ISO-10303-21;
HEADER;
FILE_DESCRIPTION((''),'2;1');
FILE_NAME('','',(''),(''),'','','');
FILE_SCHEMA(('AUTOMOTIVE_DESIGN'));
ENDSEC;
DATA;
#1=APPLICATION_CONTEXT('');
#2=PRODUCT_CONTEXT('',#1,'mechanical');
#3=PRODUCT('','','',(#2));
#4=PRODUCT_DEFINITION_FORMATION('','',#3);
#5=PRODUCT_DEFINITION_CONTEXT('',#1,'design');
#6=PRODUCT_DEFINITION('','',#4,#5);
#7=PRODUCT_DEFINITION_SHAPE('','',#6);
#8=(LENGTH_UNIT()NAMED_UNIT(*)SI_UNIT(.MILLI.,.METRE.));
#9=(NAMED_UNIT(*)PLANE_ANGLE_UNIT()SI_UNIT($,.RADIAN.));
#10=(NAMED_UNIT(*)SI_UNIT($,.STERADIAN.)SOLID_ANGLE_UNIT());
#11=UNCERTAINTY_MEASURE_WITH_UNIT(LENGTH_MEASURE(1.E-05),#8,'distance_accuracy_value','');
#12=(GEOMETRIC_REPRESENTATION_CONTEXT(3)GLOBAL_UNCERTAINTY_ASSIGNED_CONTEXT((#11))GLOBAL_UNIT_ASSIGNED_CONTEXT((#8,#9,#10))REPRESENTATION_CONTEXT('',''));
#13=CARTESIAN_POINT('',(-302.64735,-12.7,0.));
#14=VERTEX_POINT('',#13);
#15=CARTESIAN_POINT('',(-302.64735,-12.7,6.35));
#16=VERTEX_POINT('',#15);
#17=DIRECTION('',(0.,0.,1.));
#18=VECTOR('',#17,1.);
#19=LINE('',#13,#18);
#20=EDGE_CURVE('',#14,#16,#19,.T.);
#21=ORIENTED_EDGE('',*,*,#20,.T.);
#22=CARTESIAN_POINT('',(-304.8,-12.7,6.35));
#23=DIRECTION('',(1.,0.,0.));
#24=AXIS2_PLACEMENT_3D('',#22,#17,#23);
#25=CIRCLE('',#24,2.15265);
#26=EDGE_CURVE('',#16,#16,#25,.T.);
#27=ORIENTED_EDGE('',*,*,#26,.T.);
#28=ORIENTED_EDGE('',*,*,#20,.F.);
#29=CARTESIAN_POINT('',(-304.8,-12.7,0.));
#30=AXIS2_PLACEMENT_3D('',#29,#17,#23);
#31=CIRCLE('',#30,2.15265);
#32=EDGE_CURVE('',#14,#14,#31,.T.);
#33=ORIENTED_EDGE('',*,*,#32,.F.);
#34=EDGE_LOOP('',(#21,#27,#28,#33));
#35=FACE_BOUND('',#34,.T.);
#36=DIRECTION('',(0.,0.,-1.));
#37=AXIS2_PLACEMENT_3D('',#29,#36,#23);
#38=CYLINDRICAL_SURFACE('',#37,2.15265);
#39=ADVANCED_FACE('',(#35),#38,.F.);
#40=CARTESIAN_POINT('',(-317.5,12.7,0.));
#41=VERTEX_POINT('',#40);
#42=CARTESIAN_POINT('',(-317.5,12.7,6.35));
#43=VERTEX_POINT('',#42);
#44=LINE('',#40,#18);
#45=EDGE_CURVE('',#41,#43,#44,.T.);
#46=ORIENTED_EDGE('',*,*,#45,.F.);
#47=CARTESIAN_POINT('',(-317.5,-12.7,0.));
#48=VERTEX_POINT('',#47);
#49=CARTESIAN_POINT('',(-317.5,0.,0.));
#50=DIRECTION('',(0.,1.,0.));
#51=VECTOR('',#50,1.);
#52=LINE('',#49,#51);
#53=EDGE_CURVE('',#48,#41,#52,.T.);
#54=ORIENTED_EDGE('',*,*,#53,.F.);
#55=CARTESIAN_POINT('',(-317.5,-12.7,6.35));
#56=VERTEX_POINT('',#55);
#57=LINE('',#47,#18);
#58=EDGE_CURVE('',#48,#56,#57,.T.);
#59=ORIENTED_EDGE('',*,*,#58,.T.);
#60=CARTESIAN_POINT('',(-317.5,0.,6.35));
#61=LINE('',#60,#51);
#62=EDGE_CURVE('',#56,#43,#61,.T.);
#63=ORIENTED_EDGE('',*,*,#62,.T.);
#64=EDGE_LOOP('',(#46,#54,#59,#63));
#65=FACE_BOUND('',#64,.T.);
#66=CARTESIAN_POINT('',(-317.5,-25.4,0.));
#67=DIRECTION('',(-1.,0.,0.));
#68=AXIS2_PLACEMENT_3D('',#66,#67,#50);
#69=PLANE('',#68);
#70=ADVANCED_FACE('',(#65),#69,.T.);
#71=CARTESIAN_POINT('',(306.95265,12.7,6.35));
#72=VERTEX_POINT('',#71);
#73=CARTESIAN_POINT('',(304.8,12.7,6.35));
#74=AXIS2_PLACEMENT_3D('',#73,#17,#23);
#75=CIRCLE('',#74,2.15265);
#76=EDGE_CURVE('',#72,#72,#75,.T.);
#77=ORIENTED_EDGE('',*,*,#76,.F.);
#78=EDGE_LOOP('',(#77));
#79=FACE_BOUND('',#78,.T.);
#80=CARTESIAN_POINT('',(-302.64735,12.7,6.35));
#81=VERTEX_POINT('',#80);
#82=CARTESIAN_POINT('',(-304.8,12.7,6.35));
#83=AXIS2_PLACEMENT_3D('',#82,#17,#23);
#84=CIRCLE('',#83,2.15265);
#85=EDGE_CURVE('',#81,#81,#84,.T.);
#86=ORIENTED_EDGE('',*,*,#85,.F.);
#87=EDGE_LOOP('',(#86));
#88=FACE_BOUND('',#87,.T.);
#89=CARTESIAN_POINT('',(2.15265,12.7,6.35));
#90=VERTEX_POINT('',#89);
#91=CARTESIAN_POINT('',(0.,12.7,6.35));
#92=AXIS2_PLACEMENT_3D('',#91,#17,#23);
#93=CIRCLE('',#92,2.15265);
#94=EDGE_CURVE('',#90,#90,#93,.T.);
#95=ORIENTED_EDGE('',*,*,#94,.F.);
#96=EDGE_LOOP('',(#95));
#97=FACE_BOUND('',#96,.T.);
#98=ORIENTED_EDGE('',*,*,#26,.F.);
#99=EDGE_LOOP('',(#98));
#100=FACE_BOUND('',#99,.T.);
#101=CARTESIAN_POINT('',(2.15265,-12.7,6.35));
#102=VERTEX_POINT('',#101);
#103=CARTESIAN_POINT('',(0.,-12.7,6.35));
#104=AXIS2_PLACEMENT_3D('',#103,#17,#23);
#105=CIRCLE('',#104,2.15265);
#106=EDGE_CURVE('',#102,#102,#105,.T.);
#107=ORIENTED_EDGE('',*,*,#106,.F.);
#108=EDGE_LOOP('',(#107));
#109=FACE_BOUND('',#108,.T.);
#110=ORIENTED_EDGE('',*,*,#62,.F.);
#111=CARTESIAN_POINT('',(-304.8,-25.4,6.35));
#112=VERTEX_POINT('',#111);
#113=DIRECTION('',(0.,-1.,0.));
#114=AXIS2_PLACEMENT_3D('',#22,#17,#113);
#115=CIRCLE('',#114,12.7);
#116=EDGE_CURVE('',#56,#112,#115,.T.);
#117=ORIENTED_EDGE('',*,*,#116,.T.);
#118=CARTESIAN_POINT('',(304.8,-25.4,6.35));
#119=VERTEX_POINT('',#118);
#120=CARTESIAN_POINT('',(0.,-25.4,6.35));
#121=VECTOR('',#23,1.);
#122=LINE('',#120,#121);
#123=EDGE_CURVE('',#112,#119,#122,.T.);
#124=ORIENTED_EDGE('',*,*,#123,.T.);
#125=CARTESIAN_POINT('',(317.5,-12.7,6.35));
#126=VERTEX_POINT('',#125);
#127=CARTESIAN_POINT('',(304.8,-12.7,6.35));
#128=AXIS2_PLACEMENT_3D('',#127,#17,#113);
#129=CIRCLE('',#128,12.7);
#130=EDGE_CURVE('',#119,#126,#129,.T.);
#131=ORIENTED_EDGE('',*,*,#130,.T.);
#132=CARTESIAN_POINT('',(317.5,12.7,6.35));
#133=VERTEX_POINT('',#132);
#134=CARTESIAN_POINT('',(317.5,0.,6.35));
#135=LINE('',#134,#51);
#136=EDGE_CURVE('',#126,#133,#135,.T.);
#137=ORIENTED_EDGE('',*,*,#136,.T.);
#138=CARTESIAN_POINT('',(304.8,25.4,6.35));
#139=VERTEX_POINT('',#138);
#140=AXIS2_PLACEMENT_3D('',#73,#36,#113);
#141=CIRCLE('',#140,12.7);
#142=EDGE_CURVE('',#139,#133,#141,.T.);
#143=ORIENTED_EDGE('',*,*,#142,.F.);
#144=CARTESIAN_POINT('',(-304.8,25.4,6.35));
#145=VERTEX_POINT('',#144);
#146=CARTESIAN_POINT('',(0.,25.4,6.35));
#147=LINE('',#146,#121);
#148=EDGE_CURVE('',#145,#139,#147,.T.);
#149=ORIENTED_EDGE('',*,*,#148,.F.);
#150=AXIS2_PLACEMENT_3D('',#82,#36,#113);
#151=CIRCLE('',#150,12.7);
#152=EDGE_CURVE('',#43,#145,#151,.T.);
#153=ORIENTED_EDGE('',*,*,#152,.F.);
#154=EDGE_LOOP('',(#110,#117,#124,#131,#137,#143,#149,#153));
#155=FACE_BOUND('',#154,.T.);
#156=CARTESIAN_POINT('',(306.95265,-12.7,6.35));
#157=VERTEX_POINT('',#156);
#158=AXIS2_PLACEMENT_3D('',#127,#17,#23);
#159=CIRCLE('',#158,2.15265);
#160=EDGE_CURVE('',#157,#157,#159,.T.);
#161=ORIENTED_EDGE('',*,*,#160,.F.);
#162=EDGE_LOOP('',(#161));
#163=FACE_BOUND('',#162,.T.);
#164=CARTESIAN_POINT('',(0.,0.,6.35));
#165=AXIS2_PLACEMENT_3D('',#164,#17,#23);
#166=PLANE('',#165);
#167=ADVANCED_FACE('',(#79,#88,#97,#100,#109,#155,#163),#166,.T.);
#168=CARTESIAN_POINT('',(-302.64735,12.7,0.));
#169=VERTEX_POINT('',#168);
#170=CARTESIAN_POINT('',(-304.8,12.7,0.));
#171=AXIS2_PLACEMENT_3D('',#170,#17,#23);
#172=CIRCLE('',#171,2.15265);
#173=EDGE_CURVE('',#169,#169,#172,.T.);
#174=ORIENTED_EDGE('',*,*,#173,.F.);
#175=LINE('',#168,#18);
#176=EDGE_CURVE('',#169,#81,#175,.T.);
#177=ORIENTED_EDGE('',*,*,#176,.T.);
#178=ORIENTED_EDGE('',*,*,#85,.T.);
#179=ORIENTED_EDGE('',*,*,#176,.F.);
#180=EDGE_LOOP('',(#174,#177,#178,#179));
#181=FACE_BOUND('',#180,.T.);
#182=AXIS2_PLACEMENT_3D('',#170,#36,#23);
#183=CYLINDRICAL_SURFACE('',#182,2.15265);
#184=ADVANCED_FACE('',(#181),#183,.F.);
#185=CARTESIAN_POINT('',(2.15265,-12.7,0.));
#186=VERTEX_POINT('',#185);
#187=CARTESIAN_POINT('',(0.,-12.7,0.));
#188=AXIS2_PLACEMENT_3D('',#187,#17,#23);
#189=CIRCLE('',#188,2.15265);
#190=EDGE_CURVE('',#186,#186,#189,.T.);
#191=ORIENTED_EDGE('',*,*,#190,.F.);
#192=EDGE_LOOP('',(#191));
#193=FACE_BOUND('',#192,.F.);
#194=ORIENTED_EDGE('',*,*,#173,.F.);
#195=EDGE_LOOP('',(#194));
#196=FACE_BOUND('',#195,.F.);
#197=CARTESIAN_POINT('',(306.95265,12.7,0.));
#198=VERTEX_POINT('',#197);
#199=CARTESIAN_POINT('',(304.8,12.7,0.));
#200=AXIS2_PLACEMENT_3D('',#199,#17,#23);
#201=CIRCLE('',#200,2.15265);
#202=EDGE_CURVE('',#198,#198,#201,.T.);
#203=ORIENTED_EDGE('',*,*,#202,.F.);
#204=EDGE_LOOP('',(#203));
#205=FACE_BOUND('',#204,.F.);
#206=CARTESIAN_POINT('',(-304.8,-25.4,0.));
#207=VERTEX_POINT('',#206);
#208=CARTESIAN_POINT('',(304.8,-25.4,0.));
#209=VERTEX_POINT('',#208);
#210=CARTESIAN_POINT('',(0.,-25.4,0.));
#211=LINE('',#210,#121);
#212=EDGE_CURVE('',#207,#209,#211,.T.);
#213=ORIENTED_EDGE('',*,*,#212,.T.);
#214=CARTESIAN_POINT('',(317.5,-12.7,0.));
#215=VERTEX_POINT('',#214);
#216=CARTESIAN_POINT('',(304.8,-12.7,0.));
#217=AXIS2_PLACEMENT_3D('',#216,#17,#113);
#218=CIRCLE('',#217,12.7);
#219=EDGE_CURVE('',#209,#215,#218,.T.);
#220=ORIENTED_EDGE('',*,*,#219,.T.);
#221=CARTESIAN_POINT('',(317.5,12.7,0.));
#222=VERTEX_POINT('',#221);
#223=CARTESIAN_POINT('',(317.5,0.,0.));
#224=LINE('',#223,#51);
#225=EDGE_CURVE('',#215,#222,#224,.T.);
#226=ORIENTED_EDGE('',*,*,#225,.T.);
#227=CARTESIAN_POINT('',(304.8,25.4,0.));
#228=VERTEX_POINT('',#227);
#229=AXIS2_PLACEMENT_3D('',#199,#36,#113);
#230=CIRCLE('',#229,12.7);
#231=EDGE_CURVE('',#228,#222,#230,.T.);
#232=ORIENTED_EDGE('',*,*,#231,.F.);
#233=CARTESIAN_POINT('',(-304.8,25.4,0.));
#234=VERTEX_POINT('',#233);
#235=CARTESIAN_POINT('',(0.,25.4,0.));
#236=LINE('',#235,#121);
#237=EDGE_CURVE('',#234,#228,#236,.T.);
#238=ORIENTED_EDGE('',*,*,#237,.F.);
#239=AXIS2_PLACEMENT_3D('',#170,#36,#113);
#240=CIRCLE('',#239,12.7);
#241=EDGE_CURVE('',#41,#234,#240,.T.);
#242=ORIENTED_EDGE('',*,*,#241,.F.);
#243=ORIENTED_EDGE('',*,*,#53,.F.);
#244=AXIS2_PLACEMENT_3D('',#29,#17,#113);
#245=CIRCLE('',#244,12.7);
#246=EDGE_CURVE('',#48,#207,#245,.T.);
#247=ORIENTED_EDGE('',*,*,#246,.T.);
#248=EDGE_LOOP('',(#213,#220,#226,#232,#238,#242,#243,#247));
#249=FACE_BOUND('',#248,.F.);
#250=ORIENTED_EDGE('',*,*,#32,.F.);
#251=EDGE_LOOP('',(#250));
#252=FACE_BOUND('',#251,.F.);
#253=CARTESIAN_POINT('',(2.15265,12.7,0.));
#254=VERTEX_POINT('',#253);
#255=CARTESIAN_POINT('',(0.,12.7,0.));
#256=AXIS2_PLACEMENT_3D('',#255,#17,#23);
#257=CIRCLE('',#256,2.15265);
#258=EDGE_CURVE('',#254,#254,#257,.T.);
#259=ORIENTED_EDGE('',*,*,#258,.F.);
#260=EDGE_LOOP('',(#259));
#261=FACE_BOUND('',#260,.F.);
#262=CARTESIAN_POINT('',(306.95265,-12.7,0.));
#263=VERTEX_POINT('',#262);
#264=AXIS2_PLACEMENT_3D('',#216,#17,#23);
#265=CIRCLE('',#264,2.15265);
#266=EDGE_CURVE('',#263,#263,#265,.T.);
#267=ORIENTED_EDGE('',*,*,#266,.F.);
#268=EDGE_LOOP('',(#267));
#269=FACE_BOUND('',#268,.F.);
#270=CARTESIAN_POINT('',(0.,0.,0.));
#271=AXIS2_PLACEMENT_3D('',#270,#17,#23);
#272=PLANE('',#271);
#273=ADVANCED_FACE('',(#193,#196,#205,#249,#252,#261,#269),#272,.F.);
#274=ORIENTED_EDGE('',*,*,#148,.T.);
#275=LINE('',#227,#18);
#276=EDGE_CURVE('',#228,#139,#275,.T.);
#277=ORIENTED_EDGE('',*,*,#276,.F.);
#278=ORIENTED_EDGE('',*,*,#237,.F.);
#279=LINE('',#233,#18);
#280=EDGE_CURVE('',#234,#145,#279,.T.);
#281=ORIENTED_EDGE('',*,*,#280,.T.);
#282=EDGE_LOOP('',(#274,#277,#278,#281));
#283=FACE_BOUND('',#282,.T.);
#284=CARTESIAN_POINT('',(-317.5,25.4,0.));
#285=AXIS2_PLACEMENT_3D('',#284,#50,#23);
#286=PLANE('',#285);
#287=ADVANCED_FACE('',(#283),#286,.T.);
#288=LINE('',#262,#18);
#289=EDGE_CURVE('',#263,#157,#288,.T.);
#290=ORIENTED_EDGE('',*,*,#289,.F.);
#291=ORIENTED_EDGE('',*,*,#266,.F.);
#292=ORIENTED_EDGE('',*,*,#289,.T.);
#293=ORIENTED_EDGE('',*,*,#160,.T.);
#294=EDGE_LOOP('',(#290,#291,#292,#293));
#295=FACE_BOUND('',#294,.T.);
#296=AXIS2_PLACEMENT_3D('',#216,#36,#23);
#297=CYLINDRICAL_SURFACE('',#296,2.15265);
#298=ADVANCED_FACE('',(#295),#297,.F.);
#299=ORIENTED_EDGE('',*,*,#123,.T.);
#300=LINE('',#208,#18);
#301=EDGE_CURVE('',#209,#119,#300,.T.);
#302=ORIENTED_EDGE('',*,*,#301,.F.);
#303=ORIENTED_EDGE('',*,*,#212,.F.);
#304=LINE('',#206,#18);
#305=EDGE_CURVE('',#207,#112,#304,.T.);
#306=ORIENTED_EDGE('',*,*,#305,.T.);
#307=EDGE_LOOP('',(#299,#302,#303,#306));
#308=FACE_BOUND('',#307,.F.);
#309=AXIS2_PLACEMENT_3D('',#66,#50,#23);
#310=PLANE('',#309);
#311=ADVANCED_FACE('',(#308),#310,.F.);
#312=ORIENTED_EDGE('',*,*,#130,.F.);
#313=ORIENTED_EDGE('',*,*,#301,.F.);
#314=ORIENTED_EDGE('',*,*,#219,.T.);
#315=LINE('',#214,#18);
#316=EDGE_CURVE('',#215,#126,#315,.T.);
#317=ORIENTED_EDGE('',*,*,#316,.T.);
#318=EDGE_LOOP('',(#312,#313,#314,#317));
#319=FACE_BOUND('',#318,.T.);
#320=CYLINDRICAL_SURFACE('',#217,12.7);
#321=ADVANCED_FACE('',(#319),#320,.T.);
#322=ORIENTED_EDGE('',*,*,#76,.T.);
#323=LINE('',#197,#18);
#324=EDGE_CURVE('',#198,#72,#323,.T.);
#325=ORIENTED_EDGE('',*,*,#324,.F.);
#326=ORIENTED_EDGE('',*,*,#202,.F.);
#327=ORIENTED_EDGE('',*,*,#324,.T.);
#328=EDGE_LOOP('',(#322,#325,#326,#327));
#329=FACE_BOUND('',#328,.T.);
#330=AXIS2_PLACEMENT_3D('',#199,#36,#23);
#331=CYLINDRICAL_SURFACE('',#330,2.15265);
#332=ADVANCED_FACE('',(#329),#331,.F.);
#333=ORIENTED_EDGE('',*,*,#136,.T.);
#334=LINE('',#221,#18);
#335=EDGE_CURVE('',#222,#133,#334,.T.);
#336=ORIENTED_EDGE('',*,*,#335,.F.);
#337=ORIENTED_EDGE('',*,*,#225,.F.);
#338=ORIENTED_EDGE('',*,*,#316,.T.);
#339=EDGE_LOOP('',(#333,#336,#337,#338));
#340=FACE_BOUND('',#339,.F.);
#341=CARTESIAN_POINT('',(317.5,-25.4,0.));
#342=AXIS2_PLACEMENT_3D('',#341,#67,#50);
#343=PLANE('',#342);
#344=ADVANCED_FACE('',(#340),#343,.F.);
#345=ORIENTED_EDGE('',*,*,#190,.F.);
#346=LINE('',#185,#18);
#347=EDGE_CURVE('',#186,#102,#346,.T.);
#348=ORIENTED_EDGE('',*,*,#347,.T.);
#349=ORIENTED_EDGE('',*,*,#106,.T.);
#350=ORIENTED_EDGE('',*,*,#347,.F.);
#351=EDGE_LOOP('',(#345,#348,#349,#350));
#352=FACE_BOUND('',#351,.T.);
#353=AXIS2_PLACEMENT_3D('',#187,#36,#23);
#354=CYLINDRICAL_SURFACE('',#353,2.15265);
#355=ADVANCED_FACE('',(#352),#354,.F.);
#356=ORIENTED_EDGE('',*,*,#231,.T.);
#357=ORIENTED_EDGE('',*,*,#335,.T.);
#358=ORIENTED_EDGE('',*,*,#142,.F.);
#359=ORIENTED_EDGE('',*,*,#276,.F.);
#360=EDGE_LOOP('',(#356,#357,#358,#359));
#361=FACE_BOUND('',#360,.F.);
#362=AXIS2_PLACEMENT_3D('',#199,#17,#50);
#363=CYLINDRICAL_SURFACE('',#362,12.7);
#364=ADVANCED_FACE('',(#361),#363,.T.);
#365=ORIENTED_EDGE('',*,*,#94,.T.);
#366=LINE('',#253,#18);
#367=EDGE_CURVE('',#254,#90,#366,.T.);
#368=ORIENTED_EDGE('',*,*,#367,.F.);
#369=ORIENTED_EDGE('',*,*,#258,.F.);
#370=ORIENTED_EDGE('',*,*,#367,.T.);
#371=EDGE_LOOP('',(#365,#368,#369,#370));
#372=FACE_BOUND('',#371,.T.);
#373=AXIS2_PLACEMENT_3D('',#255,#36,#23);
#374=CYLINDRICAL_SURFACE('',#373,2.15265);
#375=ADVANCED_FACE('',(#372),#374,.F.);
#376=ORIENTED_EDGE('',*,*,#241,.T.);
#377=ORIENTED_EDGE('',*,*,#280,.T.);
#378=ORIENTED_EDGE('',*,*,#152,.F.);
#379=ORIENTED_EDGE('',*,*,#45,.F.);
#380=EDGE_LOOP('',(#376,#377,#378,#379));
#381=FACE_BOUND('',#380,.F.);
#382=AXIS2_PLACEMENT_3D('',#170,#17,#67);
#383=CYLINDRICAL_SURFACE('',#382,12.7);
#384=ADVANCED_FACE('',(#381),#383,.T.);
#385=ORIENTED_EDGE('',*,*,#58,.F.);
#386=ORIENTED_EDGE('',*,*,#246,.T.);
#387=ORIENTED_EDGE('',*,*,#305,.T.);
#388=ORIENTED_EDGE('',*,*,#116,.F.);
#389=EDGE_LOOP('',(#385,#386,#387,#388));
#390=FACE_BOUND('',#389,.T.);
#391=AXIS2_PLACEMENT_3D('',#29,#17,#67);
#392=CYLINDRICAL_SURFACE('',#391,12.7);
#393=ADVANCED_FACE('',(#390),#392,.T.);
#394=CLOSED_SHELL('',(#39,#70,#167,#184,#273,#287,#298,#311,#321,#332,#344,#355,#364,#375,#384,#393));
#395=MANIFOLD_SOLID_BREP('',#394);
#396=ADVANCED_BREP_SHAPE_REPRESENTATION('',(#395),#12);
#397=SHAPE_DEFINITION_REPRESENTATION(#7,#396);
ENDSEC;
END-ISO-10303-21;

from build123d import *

# Parameters (mm, degrees)
F0_W     = 635
F0_H     = 50.8
F0_R     = 2.15265
F1_DEPTH = 6.35
F2_R     = 12.7


with BuildPart() as f1:
    # F0 (on Top) → F1 (new body)
    with BuildSketch(Plane.XY):
        Rectangle(F0_W, F0_H)
        with Locations((-304.8, -12.7)):
            Circle(F0_R, mode=Mode.SUBTRACT)
        with Locations((0, -12.7)):
            Circle(F0_R, mode=Mode.SUBTRACT)
        with Locations((304.8, -12.7)):
            Circle(F0_R, mode=Mode.SUBTRACT)
        with Locations((-304.8, 12.7)):
            Circle(F0_R, mode=Mode.SUBTRACT)
        with Locations((0, 12.7)):
            Circle(F0_R, mode=Mode.SUBTRACT)
        with Locations((304.8, 12.7)):
            Circle(F0_R, mode=Mode.SUBTRACT)
    extrude(amount=F1_DEPTH)

    # F2
    f2_edges = [f1.edges().sort_by_distance(p)[0] for p in [
        (317.5, 25.4, 3.175),
        (317.5, -25.4, 3.175),
        (-317.5, -25.4, 3.175),
        (-317.5, 25.4, 3.175),
    ]]
    fillet(f2_edges, radius=F2_R)


solid = f1.part
